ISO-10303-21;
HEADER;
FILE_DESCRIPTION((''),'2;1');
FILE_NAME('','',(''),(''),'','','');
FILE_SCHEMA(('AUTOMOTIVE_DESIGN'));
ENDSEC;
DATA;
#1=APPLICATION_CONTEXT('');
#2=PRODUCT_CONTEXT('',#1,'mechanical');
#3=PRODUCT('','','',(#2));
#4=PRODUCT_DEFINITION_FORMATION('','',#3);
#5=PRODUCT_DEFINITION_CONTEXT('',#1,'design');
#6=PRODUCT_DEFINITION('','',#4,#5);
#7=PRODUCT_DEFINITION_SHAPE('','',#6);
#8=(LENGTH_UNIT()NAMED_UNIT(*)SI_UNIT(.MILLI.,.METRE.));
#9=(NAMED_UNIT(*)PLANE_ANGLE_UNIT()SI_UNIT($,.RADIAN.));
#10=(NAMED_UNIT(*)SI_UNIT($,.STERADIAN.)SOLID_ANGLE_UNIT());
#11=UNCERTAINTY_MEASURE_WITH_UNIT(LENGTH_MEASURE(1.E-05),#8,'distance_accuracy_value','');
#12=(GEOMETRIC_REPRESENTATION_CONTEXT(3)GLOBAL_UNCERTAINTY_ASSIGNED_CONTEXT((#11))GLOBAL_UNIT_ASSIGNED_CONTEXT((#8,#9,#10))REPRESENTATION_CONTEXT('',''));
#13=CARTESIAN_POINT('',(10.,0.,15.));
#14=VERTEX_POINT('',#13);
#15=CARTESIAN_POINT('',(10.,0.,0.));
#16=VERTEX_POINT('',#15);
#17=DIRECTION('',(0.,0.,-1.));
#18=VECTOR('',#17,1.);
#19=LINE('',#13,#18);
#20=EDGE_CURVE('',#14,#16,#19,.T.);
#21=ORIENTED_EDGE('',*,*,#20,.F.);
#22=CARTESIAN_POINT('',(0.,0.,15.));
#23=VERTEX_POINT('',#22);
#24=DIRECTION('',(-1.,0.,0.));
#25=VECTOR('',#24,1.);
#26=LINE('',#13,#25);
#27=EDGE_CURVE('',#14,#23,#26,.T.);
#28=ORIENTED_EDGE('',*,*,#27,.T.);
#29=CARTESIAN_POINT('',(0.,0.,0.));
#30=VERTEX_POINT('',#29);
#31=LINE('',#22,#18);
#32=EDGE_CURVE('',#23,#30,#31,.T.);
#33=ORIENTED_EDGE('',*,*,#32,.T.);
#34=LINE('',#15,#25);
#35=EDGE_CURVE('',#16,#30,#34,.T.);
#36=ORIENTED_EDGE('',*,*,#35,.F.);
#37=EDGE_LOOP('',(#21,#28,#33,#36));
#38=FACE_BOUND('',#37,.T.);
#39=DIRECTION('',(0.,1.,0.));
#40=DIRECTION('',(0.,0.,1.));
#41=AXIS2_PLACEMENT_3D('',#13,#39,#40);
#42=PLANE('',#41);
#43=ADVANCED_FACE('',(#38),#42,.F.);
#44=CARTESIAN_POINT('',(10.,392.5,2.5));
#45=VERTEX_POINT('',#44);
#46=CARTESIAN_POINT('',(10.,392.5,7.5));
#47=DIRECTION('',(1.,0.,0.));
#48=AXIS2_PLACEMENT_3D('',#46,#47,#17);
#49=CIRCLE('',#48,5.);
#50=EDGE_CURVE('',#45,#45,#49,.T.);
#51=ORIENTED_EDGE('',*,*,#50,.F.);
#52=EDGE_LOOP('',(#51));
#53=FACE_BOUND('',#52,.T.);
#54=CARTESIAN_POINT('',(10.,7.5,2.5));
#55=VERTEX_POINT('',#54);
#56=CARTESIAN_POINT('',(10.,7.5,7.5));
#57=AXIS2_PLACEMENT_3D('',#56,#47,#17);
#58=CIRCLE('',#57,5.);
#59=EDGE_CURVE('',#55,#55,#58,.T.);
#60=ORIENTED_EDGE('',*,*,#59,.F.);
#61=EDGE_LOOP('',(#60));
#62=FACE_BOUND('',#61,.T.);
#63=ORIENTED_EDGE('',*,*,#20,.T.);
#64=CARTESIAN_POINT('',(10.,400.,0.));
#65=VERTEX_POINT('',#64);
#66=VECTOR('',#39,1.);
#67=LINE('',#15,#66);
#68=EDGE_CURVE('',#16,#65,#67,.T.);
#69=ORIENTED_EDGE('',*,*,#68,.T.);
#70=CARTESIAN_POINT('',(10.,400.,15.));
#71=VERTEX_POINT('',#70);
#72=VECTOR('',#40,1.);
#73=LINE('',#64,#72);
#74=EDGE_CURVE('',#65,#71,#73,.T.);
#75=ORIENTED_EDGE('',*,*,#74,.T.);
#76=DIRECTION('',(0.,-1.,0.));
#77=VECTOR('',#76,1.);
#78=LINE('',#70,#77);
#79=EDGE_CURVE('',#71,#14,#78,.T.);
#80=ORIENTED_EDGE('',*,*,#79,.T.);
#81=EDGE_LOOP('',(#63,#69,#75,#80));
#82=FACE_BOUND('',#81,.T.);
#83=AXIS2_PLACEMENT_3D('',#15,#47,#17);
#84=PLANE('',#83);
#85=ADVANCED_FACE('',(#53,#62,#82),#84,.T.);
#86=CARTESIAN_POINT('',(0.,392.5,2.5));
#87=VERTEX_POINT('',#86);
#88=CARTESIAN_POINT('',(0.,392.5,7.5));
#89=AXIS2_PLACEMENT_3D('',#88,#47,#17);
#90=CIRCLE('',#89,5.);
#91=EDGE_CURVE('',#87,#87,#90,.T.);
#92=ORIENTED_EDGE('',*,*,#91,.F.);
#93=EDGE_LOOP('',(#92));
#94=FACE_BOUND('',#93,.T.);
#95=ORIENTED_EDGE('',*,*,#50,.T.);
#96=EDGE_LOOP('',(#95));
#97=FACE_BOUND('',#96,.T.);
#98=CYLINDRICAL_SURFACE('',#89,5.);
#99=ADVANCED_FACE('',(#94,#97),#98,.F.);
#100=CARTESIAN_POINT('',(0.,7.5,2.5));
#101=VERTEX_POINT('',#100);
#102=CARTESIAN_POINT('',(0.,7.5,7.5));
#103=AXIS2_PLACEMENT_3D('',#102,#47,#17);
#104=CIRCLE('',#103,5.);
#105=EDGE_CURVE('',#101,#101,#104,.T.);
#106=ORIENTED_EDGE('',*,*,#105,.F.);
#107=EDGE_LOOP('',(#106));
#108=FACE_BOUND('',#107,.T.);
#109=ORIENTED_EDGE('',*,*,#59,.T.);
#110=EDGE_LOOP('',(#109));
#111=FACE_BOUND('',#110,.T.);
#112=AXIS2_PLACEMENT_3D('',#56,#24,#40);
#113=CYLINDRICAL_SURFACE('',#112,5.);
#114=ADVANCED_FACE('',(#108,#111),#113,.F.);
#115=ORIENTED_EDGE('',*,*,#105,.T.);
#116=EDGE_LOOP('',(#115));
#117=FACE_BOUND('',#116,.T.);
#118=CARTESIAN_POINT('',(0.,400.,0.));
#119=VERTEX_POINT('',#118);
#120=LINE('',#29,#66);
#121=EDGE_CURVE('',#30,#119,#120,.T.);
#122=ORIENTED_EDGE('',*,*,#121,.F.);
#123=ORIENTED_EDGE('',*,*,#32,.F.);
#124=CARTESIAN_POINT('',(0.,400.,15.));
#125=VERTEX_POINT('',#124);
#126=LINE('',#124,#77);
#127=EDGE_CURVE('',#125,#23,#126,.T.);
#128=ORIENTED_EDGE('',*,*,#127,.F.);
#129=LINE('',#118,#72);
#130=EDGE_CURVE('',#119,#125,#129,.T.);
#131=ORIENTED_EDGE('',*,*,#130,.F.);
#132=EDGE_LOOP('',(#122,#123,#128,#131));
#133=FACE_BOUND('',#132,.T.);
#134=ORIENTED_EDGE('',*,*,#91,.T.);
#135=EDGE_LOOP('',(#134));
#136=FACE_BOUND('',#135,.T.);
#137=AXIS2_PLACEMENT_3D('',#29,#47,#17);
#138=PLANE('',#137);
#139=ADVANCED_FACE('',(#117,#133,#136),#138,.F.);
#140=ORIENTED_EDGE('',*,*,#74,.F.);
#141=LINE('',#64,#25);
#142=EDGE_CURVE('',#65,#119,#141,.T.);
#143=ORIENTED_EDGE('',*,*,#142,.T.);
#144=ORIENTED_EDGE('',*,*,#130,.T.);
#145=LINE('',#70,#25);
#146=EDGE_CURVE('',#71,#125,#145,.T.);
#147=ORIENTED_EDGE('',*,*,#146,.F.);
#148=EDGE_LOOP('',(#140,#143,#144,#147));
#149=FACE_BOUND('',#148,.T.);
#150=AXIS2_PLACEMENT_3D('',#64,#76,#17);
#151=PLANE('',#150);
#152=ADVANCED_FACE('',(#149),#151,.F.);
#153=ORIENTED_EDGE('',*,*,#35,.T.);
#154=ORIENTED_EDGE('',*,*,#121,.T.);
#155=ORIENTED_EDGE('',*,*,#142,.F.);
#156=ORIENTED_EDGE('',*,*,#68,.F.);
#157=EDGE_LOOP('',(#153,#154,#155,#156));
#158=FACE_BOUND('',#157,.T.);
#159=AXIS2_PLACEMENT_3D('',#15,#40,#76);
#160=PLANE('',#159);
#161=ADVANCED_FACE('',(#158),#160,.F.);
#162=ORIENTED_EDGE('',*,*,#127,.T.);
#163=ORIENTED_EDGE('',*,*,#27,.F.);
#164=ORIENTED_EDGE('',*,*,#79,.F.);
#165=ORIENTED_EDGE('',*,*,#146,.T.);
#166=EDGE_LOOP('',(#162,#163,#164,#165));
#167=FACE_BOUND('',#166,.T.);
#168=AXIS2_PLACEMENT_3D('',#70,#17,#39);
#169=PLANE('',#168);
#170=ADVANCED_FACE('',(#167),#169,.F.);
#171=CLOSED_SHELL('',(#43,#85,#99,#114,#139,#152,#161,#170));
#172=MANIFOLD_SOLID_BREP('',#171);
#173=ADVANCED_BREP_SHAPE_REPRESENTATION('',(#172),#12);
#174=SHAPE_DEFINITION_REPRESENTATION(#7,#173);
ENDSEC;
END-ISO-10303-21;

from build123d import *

# Parameters (mm, degrees)
SKETCH1_W           = 400
SKETCH1_H           = 15
BOSS_EXTRUDE1_DEPTH = 10
SKETCH3_R           = 5
CUT_EXTRUDE1_DEPTH  = 10
SKETCH4_R           = 5
CUT_EXTRUDE2_DEPTH  = 10


with BuildPart() as part:
    # Sketch1 → Boss-Extrude1 (new body)
    with BuildSketch(Plane.YZ):
        with Locations((200, 7.5)):
            Rectangle(SKETCH1_W, SKETCH1_H)
    extrude(amount=BOSS_EXTRUDE1_DEPTH)

    # Sketch3 → Cut-Extrude1 (cut)
    with BuildSketch(Plane.YZ):
        with Locations(Location((7.5, 7.5, 0), (0, 0, 270))):
            Circle(SKETCH3_R)
    extrude(amount=CUT_EXTRUDE1_DEPTH, mode=Mode.SUBTRACT)

    # Sketch4 → Cut-Extrude2 (cut)
    with BuildSketch(Plane.YZ.offset(10)):
        with Locations(Location((392.5, 7.5, 0), (0, 0, 270))):
            Circle(SKETCH4_R)
    extrude(amount=-CUT_EXTRUDE2_DEPTH, mode=Mode.SUBTRACT)


solid = part.part
